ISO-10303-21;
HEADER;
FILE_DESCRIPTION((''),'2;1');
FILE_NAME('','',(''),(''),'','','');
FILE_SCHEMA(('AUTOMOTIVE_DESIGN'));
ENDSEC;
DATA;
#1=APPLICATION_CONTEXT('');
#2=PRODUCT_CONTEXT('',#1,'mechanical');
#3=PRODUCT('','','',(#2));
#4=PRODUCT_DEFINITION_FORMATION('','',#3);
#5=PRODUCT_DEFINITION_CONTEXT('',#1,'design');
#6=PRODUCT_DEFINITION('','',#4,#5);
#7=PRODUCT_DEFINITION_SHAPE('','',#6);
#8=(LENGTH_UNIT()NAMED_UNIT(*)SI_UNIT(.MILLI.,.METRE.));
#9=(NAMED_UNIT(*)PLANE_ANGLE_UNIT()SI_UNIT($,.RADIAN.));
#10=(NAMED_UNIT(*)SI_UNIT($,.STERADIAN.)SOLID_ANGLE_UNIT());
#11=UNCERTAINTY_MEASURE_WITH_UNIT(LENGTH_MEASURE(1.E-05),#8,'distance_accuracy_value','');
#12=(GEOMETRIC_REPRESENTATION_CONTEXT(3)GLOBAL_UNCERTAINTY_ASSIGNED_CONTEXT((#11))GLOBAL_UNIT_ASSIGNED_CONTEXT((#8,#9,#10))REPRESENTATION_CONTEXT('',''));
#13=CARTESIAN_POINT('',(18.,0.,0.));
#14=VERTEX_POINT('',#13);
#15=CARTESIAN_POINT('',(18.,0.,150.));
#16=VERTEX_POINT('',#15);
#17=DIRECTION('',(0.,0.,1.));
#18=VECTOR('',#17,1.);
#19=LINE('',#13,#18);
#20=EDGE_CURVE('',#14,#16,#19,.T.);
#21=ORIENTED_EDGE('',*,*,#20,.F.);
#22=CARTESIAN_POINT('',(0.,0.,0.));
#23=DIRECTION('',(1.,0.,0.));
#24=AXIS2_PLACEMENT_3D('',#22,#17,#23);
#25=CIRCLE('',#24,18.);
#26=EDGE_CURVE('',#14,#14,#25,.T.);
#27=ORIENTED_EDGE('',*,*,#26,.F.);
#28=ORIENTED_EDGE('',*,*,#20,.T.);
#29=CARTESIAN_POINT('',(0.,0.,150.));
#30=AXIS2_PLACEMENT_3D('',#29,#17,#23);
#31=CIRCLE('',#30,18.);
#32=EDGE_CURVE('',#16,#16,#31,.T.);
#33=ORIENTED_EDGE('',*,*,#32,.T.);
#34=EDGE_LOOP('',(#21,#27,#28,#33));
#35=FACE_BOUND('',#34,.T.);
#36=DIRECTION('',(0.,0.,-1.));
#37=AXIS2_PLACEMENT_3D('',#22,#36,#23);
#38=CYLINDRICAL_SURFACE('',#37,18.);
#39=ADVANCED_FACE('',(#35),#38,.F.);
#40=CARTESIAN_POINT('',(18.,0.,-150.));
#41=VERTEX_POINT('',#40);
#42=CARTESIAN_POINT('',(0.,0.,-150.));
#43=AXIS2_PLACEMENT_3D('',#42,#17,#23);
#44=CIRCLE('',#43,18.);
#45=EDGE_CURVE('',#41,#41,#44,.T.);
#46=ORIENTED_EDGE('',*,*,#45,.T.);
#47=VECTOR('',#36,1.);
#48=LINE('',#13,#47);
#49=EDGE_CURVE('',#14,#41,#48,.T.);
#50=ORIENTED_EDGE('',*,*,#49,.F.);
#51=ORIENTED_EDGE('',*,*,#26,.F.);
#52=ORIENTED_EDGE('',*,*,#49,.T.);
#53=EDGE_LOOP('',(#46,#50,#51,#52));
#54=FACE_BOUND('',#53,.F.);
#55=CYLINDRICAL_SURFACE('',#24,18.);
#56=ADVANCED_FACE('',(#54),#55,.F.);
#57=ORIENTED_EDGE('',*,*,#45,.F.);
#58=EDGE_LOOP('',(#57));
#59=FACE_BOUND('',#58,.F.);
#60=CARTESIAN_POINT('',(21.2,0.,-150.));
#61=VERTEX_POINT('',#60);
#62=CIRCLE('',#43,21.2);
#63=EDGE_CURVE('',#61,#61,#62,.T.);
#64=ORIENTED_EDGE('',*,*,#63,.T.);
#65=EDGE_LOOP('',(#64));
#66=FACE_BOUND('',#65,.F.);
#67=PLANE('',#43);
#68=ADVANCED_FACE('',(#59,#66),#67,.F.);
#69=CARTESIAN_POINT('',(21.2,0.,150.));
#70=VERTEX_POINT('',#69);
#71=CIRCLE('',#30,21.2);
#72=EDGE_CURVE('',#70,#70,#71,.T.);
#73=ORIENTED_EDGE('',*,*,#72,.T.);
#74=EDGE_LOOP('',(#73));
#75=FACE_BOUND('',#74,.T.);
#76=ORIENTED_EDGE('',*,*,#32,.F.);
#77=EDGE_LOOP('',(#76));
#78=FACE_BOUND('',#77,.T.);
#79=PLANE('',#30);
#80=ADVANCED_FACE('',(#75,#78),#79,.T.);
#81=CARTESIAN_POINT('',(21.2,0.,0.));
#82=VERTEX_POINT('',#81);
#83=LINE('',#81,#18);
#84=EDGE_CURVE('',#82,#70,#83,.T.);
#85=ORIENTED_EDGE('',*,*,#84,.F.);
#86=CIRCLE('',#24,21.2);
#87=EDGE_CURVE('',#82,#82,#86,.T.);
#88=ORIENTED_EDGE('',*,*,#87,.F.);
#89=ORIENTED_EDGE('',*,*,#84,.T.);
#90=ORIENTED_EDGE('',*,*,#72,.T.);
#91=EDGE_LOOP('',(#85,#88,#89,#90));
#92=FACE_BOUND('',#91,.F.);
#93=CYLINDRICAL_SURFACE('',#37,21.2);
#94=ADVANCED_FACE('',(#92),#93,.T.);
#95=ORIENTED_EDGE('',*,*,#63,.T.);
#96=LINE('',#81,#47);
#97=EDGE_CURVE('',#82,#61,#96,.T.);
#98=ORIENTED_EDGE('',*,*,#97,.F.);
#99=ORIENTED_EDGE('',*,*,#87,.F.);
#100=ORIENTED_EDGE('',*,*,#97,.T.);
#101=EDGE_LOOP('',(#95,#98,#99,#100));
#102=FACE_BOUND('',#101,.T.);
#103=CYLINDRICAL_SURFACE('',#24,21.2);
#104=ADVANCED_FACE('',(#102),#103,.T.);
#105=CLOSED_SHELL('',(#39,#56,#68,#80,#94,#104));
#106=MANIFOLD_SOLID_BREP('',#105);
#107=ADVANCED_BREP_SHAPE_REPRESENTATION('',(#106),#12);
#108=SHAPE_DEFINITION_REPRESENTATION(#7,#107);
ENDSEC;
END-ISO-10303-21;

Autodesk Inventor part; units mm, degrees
ref_plane "YZ Plane" through (0, 0, 0) normal (1, 0, 0) x (0, 1, 0)
ref_plane "XZ Plane" through (0, 0, 0) normal (0, 1, 0) x (-1, 0, 0)
ref_plane "XY Plane" through (0, 0, 0) normal (0, 0, 1) x (1, 0, 0)
sketch "Sketch1" plane through (0, 0, 0) normal (0, 0, 1) x (1, 0, 0)
  circle A0 centre (0, 0) radius 21.2
  circle A1 centre (0, 0) radius 18
  dimension "OD" = 42.4
  dimension "t" = 3.2
extrude "Extrusion1" add sketch "Sketch1" along normal mid plane 300
equation "\"size\" = 7"
properties part number "tube-07"
